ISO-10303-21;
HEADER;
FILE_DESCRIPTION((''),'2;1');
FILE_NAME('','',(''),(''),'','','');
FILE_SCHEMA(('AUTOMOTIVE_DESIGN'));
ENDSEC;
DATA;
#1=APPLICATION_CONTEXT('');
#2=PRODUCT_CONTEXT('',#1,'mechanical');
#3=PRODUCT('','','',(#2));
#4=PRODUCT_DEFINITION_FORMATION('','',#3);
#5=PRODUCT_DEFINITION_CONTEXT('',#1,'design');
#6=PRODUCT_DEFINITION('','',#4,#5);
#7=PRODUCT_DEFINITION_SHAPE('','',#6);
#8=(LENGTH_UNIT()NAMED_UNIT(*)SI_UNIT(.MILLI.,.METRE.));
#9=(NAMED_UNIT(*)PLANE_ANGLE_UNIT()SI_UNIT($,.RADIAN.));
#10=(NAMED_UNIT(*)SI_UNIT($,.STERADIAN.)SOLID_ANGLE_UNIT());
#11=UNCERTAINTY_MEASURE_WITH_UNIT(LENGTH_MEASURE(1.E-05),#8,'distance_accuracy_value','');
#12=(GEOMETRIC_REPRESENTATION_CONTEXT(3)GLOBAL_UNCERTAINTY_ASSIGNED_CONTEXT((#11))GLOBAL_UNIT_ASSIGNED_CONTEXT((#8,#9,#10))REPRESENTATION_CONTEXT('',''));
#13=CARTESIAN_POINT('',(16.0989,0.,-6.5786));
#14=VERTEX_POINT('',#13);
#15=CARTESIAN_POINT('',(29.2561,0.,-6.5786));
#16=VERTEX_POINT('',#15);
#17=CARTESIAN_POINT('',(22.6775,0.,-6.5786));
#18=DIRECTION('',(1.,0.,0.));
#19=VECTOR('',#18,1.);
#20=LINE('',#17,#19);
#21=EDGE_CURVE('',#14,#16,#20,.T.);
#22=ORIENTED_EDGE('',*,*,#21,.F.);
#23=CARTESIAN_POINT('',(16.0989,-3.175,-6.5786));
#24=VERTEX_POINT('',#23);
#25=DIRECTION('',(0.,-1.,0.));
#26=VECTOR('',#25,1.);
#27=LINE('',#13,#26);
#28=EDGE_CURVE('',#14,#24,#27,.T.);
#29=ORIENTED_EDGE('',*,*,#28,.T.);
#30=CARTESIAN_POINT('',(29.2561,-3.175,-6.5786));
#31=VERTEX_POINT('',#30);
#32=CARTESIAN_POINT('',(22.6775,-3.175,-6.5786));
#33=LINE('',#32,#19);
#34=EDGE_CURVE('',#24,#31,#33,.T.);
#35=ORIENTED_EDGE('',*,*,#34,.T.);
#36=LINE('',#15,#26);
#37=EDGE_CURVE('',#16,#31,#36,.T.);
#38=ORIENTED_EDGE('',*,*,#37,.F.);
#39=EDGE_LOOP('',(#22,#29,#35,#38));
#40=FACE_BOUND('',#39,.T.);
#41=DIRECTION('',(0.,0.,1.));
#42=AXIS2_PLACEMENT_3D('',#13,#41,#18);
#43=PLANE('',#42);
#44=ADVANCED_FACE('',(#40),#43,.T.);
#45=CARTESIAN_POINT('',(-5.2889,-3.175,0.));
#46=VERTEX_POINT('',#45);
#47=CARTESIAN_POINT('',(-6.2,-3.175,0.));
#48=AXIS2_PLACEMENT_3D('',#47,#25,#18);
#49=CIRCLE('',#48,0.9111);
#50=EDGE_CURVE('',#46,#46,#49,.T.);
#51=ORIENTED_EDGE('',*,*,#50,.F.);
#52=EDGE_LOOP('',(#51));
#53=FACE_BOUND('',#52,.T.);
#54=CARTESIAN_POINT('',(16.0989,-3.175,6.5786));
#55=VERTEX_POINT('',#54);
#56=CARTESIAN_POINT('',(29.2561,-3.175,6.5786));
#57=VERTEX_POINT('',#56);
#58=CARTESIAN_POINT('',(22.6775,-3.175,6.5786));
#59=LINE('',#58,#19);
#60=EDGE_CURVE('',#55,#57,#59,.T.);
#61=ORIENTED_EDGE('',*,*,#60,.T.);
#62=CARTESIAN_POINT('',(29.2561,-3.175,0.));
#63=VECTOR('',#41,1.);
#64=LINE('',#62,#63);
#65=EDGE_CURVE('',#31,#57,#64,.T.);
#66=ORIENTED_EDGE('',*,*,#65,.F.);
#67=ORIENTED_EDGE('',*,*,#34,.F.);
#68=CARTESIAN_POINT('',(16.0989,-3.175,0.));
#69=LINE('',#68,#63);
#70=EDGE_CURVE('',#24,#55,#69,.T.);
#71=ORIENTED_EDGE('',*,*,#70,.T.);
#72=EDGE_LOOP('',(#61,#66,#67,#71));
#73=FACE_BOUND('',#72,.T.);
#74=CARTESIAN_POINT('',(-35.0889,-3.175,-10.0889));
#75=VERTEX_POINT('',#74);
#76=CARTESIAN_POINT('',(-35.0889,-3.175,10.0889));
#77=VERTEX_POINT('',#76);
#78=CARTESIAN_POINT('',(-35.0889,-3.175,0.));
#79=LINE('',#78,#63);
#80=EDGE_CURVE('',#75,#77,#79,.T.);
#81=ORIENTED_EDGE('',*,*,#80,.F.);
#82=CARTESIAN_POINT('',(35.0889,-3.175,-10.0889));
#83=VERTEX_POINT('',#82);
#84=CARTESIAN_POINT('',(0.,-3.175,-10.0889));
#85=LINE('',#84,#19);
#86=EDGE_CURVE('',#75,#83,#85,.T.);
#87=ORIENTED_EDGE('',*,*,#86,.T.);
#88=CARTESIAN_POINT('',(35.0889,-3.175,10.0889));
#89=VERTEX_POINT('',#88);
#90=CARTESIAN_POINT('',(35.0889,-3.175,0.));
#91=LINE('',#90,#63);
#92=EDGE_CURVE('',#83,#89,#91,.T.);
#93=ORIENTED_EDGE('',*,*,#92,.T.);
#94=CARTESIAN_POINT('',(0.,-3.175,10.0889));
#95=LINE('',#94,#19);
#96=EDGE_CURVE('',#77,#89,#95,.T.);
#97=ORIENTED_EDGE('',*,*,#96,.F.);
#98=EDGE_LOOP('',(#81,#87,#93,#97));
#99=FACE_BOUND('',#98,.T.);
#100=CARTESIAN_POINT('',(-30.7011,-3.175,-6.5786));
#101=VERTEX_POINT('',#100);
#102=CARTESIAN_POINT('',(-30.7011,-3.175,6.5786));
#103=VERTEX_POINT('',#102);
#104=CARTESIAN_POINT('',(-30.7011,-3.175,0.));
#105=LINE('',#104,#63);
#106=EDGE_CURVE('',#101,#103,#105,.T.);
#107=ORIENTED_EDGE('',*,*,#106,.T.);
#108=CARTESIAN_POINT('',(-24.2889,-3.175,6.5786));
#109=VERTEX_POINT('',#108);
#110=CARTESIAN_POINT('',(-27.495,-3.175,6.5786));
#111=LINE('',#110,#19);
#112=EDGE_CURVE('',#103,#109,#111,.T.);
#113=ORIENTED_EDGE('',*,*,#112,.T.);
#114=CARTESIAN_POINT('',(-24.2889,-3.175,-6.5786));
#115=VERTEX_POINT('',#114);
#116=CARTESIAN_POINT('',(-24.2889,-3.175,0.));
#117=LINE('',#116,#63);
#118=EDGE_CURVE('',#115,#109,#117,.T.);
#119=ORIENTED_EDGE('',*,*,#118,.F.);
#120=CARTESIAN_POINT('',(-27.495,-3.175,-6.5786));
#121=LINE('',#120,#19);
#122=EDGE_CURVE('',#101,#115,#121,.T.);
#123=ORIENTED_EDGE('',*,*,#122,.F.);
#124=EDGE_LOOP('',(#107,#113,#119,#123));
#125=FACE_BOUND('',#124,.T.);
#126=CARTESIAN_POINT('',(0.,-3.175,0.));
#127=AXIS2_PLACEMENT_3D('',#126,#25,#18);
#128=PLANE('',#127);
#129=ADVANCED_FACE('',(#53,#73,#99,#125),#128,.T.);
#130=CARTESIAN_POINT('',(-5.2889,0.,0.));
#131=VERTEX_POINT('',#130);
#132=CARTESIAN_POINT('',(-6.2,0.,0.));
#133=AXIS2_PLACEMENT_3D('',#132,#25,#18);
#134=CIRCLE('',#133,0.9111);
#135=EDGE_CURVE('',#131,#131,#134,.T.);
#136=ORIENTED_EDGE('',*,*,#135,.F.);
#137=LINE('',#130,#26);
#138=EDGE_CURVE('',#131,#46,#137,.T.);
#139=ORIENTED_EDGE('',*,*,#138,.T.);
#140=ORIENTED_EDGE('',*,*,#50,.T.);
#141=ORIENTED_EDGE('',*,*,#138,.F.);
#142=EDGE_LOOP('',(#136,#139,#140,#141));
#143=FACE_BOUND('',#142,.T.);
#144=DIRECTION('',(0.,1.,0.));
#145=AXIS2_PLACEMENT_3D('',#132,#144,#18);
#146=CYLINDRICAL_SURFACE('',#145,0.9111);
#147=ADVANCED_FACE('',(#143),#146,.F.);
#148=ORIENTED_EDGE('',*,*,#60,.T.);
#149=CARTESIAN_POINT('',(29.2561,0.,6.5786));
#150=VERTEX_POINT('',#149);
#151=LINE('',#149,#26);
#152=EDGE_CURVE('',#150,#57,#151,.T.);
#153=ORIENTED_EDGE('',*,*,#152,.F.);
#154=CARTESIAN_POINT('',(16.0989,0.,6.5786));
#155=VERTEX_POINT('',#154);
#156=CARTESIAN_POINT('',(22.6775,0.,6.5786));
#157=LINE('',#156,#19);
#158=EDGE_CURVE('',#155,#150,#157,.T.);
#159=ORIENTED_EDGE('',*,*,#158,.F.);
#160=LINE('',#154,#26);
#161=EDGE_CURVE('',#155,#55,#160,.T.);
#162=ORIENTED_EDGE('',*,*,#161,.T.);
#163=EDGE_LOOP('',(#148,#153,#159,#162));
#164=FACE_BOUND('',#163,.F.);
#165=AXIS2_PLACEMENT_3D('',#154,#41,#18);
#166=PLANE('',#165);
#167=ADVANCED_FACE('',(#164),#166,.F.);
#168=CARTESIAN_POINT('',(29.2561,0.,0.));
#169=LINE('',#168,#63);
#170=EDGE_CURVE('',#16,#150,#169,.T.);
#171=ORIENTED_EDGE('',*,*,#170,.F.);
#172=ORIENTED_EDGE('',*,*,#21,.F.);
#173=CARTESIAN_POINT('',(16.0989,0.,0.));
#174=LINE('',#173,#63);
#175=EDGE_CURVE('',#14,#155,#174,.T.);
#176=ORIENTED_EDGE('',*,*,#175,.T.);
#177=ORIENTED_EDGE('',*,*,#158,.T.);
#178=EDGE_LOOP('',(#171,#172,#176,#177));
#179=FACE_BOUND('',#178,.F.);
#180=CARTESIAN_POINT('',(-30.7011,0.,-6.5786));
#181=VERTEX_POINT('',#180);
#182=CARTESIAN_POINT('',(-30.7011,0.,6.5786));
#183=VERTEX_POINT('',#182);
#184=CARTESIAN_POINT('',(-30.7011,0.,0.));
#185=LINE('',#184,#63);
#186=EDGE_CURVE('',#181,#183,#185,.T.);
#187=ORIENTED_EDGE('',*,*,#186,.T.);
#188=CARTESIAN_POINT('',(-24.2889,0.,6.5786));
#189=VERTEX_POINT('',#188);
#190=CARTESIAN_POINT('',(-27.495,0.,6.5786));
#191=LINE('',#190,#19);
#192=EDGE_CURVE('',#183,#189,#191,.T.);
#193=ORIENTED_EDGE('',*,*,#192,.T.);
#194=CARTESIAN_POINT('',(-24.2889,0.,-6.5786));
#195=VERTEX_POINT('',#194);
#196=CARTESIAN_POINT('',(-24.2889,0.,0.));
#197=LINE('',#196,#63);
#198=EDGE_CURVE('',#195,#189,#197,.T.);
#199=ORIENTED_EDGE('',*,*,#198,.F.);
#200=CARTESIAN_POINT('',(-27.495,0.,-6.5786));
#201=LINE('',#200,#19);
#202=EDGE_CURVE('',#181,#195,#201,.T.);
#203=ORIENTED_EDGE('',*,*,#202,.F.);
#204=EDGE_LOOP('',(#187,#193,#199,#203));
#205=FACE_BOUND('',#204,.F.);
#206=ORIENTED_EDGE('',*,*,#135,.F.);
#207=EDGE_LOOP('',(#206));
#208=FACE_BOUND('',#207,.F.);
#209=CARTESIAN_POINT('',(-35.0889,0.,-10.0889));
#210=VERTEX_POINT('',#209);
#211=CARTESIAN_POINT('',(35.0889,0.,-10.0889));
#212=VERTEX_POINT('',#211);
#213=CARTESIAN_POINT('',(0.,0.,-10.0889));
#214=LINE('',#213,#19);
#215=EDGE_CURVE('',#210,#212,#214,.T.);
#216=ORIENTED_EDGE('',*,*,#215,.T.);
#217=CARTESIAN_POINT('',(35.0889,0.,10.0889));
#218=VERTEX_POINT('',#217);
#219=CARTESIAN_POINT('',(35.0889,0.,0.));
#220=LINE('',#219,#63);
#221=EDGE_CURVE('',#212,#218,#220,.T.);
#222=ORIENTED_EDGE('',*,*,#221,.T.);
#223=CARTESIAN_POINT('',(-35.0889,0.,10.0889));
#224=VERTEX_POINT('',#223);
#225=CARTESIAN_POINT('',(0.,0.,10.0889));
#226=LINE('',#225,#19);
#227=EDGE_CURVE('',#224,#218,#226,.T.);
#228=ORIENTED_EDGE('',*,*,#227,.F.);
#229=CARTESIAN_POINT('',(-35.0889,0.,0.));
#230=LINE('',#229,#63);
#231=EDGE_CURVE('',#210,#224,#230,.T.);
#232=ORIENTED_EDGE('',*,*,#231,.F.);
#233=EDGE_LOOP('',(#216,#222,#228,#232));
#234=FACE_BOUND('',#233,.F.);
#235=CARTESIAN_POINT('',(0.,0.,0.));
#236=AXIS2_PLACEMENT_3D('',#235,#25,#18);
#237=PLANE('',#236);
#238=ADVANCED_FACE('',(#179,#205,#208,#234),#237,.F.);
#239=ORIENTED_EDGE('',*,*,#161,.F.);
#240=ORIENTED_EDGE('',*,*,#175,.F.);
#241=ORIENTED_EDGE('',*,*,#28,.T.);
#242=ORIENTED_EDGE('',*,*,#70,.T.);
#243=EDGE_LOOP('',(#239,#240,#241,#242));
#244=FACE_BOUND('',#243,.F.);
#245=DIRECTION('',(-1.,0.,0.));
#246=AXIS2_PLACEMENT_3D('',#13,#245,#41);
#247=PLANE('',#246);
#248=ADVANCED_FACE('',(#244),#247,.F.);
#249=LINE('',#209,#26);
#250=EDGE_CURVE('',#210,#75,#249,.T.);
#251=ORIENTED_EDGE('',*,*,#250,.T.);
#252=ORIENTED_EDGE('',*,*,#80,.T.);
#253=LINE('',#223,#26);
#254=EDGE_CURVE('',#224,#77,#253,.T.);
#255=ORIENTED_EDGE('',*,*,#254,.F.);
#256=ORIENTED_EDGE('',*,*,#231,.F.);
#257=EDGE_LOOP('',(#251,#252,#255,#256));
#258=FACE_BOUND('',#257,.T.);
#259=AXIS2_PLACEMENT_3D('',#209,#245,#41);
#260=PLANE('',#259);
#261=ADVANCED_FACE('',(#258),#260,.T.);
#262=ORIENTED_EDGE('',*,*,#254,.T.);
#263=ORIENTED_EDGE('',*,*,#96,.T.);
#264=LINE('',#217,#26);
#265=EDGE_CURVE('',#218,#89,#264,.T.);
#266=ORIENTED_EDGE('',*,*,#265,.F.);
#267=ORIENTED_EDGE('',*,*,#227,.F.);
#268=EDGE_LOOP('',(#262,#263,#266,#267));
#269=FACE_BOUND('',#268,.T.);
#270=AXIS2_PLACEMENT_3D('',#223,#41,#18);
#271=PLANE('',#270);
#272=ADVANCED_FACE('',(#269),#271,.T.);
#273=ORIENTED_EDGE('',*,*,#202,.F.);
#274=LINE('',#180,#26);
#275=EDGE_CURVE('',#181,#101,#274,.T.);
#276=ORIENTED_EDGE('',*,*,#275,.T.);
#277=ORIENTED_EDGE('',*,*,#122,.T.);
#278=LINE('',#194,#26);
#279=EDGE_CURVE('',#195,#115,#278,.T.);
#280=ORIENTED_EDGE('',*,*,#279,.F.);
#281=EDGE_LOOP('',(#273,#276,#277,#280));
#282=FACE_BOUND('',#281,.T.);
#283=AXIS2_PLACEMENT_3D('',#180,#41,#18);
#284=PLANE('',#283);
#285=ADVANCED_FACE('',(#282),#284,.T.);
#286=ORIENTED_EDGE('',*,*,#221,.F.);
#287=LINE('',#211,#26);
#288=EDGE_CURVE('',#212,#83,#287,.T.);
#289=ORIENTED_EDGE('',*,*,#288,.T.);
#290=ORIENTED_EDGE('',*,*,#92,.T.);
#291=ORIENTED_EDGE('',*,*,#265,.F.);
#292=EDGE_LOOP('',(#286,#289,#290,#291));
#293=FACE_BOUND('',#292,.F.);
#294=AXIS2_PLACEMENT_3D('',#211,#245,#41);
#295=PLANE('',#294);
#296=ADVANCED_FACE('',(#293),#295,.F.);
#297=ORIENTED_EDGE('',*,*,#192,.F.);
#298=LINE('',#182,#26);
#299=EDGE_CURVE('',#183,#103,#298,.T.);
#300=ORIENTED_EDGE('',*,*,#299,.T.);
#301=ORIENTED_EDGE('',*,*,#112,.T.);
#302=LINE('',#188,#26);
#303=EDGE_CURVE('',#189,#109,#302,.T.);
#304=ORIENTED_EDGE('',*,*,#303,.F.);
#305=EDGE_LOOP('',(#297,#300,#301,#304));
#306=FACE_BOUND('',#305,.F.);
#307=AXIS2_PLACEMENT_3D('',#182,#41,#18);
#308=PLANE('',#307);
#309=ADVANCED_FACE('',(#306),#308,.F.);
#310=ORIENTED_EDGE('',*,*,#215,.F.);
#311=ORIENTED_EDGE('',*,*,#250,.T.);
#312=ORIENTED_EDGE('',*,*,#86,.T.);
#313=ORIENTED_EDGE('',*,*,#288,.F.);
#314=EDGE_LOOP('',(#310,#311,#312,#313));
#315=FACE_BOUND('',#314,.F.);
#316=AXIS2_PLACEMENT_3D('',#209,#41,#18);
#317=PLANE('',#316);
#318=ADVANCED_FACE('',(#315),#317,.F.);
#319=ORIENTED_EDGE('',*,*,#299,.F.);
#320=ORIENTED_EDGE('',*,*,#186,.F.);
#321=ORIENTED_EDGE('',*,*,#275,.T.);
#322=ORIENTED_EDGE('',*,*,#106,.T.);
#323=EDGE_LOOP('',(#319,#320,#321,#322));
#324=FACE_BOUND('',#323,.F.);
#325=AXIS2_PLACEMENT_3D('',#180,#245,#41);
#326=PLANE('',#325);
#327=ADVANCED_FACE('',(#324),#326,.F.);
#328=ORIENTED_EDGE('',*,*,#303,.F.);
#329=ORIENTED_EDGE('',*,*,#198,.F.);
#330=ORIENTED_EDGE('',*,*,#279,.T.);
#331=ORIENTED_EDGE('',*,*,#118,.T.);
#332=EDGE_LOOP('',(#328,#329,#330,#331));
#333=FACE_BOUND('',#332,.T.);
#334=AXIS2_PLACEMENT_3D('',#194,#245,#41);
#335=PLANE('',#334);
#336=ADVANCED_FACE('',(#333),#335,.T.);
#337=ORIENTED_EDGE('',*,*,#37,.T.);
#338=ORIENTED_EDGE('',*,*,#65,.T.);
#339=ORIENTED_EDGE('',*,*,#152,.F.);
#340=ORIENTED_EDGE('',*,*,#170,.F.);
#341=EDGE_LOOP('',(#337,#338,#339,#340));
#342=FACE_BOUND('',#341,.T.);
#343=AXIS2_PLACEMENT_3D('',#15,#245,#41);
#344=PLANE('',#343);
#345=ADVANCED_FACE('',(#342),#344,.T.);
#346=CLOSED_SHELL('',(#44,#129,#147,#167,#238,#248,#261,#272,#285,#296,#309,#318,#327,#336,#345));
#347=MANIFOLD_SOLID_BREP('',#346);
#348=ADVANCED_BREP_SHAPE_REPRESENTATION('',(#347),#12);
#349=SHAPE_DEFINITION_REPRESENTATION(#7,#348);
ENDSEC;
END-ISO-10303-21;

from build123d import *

# Parameters (mm, degrees)
F0_W     = 70.1778
F0_H     = 20.1778
F0_W_2   = 6.4122
F0_H_2   = 13.1572
F0_R     = 0.9111
F0_W_3   = 13.1572
F1_DEPTH = 3.175


with BuildPart() as f1:
    # F0 (on Front) → F1 (new body)
    with BuildSketch(Plane.XZ):
        Rectangle(F0_W, F0_H)
        with Locations((-27.495, 0)):
            Rectangle(F0_W_2, F0_H_2, mode=Mode.SUBTRACT)
        with Locations((-6.2, 0)):
            Circle(F0_R, mode=Mode.SUBTRACT)
        with Locations((22.6775, 0)):
            Rectangle(F0_W_3, F0_H_2, mode=Mode.SUBTRACT)
    extrude(amount=F1_DEPTH)


solid = f1.part
